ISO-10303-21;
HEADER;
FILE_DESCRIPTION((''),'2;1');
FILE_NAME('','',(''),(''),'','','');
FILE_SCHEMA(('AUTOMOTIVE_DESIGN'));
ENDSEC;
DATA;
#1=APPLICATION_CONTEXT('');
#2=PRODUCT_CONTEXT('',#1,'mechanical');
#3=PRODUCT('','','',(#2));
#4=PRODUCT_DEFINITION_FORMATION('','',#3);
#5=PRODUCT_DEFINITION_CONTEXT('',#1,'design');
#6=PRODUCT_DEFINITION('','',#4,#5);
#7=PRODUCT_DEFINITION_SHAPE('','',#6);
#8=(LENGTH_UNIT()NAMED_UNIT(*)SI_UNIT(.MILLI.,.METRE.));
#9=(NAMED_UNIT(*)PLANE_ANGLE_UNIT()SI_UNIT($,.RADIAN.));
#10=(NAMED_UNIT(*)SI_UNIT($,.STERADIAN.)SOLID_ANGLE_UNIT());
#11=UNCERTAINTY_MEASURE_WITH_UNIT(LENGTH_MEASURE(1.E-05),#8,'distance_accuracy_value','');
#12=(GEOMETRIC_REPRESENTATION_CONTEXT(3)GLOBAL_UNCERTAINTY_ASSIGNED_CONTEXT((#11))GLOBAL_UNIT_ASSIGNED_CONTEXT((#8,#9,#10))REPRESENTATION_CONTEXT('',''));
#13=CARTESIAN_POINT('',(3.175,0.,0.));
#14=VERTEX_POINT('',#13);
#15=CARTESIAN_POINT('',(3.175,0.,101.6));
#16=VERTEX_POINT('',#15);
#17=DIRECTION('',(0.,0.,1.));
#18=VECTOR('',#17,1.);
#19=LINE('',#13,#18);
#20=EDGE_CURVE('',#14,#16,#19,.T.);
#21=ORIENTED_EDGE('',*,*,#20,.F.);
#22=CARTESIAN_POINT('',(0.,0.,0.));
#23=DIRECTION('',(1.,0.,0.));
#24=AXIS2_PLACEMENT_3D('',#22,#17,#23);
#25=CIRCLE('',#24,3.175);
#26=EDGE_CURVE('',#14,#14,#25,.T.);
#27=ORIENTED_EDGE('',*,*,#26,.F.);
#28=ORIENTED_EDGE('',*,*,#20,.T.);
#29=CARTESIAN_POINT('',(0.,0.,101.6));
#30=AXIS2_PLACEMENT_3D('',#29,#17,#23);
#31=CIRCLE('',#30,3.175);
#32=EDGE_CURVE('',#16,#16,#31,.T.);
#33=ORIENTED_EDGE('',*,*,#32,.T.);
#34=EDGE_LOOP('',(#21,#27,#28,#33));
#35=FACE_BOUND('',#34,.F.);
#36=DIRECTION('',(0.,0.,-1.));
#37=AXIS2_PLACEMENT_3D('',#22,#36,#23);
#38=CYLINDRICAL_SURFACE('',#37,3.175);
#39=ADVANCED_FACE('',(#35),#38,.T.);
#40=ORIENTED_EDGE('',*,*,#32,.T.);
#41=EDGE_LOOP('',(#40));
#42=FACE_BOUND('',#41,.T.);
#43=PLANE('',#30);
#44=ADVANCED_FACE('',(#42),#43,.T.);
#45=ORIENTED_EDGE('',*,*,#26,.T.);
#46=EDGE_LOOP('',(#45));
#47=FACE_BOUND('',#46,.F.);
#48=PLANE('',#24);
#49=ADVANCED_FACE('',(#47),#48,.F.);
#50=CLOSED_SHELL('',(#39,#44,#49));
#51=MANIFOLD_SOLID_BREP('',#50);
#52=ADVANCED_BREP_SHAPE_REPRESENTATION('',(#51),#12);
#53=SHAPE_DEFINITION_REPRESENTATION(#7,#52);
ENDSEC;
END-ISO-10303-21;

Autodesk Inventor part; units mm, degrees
ref_plane "YZ Plane" through (0, 0, 0) normal (1, 0, 0) x (0, 1, 0)
ref_plane "XZ Plane" through (0, 0, 0) normal (0, 1, 0) x (-1, 0, 0)
ref_plane "XY Plane" through (0, 0, 0) normal (0, 0, 1) x (1, 0, 0)
sketch "Sketch1" plane through (0, 0, 0) normal (0, 0, 1) x (1, 0, 0)
  circle A0 centre (0, 0) radius 3.175
  dimension "d0" = 6.35
extrude "Extrusion1" add sketch "Sketch1" along normal blind 101.6
properties part number "front axle" material "ABS Plastic"
